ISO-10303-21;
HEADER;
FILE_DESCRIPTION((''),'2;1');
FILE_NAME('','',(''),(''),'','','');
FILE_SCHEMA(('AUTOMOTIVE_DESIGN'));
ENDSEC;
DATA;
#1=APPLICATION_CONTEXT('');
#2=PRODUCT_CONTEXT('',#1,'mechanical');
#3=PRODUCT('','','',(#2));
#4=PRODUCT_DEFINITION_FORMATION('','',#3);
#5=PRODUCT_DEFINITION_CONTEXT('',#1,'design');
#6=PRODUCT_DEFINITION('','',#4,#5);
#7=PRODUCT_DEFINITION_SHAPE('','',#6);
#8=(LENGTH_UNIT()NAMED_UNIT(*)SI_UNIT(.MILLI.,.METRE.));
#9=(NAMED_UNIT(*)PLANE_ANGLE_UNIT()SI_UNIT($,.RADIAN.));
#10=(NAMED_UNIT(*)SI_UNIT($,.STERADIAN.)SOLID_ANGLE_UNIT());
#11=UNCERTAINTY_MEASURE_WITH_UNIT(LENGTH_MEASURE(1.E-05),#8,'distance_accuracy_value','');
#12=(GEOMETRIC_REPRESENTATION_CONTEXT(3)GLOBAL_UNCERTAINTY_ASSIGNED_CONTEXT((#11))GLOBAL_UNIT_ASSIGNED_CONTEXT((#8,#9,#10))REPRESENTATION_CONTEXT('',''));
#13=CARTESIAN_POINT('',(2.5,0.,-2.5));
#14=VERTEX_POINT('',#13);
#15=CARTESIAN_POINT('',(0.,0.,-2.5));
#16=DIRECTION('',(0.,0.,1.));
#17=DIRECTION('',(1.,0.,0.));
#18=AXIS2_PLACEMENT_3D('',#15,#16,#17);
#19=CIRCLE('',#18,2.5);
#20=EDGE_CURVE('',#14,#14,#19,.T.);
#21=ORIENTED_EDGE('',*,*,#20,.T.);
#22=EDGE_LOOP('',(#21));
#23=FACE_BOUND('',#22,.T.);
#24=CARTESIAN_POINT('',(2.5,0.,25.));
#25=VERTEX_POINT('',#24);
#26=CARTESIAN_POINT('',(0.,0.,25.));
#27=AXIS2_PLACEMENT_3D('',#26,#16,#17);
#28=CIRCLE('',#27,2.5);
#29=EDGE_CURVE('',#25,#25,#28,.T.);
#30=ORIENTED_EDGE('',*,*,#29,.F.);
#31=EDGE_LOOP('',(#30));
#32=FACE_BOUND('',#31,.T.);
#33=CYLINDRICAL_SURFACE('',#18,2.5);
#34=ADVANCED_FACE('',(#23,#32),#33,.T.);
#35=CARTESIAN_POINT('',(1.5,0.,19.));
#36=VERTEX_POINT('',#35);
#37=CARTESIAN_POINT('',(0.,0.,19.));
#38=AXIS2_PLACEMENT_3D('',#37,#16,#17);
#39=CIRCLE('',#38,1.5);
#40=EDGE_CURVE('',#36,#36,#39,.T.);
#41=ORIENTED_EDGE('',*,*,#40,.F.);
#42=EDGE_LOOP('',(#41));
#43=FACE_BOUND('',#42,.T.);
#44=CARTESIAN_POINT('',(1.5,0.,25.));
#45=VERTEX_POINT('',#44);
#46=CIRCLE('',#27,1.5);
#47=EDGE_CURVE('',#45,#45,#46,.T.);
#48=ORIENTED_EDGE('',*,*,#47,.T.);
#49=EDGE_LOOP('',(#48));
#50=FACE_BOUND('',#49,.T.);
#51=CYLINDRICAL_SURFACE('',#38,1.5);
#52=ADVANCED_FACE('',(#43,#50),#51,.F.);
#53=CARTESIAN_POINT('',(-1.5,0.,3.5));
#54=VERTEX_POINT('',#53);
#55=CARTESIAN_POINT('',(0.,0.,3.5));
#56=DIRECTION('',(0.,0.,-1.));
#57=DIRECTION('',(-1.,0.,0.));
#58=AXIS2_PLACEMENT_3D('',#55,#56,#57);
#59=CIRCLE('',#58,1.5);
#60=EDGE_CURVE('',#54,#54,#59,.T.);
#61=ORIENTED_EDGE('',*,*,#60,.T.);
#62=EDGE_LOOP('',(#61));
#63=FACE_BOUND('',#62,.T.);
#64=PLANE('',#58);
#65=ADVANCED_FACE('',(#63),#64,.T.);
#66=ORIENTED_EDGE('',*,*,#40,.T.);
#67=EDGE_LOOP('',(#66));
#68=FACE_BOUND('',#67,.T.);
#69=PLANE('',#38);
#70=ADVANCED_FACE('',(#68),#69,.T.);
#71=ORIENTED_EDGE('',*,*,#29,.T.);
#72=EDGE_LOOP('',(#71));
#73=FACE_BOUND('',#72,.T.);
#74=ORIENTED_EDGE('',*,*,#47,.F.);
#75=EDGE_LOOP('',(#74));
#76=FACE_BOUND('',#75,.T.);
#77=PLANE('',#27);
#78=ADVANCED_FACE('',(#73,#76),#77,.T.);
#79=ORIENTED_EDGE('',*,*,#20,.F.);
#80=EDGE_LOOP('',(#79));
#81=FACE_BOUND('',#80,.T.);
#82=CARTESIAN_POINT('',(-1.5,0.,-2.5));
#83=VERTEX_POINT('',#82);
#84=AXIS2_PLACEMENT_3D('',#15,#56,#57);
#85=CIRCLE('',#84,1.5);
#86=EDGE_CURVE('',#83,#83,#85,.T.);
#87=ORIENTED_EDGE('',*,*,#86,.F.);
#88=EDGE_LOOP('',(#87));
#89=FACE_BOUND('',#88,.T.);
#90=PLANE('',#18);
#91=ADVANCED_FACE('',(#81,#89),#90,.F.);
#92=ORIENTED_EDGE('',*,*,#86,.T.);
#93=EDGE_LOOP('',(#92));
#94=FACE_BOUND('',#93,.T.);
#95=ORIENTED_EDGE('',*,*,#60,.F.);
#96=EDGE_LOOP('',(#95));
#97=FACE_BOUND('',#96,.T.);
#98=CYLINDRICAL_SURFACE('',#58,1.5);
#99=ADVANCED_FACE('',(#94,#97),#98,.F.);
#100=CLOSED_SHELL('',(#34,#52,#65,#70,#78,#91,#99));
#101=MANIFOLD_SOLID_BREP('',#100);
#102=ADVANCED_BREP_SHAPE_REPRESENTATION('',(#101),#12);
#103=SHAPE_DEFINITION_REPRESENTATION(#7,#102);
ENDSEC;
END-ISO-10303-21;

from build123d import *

# Parameters (mm, degrees)
BOSS_EXTRUDE1_DEPTH      = 25
BOSS_EXTRUDE1_DEPTH_BACK = 2.5
SKETCH1_R                = 2.5
SKETCH3_R                = 1.5
CUT_EXTRUDE1_DEPTH       = 6
CUT_EXTRUDE2_START       = -6
SKETCH2_R                = 1.5
CUT_EXTRUDE2_DEPTH       = 6


with BuildPart() as part:
    # Sketch1 → Boss-Extrude1 (new, two sides: drawn at the far end of the back side and taken through both)
    with BuildSketch(Plane.XY.offset(-BOSS_EXTRUDE1_DEPTH_BACK)):
        Circle(SKETCH1_R)
    extrude(amount=BOSS_EXTRUDE1_DEPTH + BOSS_EXTRUDE1_DEPTH_BACK)

    # Sketch3 → Cut-Extrude1 (cut)
    with BuildSketch(Plane(origin=(0, 0, -2.5), x_dir=(-1, 0, 0), z_dir=(0, 0, -1))):
        Circle(SKETCH3_R)
    extrude(amount=-CUT_EXTRUDE1_DEPTH, mode=Mode.SUBTRACT)

    # Sketch2 → Cut-Extrude2 (cut)
    with BuildSketch(Plane.XY.offset(25).offset(CUT_EXTRUDE2_START)):
        with Locations(Location((0, 0, 0), (0, 0, 180))):
            Circle(SKETCH2_R)
    extrude(amount=CUT_EXTRUDE2_DEPTH, mode=Mode.SUBTRACT)


solid = part.part
